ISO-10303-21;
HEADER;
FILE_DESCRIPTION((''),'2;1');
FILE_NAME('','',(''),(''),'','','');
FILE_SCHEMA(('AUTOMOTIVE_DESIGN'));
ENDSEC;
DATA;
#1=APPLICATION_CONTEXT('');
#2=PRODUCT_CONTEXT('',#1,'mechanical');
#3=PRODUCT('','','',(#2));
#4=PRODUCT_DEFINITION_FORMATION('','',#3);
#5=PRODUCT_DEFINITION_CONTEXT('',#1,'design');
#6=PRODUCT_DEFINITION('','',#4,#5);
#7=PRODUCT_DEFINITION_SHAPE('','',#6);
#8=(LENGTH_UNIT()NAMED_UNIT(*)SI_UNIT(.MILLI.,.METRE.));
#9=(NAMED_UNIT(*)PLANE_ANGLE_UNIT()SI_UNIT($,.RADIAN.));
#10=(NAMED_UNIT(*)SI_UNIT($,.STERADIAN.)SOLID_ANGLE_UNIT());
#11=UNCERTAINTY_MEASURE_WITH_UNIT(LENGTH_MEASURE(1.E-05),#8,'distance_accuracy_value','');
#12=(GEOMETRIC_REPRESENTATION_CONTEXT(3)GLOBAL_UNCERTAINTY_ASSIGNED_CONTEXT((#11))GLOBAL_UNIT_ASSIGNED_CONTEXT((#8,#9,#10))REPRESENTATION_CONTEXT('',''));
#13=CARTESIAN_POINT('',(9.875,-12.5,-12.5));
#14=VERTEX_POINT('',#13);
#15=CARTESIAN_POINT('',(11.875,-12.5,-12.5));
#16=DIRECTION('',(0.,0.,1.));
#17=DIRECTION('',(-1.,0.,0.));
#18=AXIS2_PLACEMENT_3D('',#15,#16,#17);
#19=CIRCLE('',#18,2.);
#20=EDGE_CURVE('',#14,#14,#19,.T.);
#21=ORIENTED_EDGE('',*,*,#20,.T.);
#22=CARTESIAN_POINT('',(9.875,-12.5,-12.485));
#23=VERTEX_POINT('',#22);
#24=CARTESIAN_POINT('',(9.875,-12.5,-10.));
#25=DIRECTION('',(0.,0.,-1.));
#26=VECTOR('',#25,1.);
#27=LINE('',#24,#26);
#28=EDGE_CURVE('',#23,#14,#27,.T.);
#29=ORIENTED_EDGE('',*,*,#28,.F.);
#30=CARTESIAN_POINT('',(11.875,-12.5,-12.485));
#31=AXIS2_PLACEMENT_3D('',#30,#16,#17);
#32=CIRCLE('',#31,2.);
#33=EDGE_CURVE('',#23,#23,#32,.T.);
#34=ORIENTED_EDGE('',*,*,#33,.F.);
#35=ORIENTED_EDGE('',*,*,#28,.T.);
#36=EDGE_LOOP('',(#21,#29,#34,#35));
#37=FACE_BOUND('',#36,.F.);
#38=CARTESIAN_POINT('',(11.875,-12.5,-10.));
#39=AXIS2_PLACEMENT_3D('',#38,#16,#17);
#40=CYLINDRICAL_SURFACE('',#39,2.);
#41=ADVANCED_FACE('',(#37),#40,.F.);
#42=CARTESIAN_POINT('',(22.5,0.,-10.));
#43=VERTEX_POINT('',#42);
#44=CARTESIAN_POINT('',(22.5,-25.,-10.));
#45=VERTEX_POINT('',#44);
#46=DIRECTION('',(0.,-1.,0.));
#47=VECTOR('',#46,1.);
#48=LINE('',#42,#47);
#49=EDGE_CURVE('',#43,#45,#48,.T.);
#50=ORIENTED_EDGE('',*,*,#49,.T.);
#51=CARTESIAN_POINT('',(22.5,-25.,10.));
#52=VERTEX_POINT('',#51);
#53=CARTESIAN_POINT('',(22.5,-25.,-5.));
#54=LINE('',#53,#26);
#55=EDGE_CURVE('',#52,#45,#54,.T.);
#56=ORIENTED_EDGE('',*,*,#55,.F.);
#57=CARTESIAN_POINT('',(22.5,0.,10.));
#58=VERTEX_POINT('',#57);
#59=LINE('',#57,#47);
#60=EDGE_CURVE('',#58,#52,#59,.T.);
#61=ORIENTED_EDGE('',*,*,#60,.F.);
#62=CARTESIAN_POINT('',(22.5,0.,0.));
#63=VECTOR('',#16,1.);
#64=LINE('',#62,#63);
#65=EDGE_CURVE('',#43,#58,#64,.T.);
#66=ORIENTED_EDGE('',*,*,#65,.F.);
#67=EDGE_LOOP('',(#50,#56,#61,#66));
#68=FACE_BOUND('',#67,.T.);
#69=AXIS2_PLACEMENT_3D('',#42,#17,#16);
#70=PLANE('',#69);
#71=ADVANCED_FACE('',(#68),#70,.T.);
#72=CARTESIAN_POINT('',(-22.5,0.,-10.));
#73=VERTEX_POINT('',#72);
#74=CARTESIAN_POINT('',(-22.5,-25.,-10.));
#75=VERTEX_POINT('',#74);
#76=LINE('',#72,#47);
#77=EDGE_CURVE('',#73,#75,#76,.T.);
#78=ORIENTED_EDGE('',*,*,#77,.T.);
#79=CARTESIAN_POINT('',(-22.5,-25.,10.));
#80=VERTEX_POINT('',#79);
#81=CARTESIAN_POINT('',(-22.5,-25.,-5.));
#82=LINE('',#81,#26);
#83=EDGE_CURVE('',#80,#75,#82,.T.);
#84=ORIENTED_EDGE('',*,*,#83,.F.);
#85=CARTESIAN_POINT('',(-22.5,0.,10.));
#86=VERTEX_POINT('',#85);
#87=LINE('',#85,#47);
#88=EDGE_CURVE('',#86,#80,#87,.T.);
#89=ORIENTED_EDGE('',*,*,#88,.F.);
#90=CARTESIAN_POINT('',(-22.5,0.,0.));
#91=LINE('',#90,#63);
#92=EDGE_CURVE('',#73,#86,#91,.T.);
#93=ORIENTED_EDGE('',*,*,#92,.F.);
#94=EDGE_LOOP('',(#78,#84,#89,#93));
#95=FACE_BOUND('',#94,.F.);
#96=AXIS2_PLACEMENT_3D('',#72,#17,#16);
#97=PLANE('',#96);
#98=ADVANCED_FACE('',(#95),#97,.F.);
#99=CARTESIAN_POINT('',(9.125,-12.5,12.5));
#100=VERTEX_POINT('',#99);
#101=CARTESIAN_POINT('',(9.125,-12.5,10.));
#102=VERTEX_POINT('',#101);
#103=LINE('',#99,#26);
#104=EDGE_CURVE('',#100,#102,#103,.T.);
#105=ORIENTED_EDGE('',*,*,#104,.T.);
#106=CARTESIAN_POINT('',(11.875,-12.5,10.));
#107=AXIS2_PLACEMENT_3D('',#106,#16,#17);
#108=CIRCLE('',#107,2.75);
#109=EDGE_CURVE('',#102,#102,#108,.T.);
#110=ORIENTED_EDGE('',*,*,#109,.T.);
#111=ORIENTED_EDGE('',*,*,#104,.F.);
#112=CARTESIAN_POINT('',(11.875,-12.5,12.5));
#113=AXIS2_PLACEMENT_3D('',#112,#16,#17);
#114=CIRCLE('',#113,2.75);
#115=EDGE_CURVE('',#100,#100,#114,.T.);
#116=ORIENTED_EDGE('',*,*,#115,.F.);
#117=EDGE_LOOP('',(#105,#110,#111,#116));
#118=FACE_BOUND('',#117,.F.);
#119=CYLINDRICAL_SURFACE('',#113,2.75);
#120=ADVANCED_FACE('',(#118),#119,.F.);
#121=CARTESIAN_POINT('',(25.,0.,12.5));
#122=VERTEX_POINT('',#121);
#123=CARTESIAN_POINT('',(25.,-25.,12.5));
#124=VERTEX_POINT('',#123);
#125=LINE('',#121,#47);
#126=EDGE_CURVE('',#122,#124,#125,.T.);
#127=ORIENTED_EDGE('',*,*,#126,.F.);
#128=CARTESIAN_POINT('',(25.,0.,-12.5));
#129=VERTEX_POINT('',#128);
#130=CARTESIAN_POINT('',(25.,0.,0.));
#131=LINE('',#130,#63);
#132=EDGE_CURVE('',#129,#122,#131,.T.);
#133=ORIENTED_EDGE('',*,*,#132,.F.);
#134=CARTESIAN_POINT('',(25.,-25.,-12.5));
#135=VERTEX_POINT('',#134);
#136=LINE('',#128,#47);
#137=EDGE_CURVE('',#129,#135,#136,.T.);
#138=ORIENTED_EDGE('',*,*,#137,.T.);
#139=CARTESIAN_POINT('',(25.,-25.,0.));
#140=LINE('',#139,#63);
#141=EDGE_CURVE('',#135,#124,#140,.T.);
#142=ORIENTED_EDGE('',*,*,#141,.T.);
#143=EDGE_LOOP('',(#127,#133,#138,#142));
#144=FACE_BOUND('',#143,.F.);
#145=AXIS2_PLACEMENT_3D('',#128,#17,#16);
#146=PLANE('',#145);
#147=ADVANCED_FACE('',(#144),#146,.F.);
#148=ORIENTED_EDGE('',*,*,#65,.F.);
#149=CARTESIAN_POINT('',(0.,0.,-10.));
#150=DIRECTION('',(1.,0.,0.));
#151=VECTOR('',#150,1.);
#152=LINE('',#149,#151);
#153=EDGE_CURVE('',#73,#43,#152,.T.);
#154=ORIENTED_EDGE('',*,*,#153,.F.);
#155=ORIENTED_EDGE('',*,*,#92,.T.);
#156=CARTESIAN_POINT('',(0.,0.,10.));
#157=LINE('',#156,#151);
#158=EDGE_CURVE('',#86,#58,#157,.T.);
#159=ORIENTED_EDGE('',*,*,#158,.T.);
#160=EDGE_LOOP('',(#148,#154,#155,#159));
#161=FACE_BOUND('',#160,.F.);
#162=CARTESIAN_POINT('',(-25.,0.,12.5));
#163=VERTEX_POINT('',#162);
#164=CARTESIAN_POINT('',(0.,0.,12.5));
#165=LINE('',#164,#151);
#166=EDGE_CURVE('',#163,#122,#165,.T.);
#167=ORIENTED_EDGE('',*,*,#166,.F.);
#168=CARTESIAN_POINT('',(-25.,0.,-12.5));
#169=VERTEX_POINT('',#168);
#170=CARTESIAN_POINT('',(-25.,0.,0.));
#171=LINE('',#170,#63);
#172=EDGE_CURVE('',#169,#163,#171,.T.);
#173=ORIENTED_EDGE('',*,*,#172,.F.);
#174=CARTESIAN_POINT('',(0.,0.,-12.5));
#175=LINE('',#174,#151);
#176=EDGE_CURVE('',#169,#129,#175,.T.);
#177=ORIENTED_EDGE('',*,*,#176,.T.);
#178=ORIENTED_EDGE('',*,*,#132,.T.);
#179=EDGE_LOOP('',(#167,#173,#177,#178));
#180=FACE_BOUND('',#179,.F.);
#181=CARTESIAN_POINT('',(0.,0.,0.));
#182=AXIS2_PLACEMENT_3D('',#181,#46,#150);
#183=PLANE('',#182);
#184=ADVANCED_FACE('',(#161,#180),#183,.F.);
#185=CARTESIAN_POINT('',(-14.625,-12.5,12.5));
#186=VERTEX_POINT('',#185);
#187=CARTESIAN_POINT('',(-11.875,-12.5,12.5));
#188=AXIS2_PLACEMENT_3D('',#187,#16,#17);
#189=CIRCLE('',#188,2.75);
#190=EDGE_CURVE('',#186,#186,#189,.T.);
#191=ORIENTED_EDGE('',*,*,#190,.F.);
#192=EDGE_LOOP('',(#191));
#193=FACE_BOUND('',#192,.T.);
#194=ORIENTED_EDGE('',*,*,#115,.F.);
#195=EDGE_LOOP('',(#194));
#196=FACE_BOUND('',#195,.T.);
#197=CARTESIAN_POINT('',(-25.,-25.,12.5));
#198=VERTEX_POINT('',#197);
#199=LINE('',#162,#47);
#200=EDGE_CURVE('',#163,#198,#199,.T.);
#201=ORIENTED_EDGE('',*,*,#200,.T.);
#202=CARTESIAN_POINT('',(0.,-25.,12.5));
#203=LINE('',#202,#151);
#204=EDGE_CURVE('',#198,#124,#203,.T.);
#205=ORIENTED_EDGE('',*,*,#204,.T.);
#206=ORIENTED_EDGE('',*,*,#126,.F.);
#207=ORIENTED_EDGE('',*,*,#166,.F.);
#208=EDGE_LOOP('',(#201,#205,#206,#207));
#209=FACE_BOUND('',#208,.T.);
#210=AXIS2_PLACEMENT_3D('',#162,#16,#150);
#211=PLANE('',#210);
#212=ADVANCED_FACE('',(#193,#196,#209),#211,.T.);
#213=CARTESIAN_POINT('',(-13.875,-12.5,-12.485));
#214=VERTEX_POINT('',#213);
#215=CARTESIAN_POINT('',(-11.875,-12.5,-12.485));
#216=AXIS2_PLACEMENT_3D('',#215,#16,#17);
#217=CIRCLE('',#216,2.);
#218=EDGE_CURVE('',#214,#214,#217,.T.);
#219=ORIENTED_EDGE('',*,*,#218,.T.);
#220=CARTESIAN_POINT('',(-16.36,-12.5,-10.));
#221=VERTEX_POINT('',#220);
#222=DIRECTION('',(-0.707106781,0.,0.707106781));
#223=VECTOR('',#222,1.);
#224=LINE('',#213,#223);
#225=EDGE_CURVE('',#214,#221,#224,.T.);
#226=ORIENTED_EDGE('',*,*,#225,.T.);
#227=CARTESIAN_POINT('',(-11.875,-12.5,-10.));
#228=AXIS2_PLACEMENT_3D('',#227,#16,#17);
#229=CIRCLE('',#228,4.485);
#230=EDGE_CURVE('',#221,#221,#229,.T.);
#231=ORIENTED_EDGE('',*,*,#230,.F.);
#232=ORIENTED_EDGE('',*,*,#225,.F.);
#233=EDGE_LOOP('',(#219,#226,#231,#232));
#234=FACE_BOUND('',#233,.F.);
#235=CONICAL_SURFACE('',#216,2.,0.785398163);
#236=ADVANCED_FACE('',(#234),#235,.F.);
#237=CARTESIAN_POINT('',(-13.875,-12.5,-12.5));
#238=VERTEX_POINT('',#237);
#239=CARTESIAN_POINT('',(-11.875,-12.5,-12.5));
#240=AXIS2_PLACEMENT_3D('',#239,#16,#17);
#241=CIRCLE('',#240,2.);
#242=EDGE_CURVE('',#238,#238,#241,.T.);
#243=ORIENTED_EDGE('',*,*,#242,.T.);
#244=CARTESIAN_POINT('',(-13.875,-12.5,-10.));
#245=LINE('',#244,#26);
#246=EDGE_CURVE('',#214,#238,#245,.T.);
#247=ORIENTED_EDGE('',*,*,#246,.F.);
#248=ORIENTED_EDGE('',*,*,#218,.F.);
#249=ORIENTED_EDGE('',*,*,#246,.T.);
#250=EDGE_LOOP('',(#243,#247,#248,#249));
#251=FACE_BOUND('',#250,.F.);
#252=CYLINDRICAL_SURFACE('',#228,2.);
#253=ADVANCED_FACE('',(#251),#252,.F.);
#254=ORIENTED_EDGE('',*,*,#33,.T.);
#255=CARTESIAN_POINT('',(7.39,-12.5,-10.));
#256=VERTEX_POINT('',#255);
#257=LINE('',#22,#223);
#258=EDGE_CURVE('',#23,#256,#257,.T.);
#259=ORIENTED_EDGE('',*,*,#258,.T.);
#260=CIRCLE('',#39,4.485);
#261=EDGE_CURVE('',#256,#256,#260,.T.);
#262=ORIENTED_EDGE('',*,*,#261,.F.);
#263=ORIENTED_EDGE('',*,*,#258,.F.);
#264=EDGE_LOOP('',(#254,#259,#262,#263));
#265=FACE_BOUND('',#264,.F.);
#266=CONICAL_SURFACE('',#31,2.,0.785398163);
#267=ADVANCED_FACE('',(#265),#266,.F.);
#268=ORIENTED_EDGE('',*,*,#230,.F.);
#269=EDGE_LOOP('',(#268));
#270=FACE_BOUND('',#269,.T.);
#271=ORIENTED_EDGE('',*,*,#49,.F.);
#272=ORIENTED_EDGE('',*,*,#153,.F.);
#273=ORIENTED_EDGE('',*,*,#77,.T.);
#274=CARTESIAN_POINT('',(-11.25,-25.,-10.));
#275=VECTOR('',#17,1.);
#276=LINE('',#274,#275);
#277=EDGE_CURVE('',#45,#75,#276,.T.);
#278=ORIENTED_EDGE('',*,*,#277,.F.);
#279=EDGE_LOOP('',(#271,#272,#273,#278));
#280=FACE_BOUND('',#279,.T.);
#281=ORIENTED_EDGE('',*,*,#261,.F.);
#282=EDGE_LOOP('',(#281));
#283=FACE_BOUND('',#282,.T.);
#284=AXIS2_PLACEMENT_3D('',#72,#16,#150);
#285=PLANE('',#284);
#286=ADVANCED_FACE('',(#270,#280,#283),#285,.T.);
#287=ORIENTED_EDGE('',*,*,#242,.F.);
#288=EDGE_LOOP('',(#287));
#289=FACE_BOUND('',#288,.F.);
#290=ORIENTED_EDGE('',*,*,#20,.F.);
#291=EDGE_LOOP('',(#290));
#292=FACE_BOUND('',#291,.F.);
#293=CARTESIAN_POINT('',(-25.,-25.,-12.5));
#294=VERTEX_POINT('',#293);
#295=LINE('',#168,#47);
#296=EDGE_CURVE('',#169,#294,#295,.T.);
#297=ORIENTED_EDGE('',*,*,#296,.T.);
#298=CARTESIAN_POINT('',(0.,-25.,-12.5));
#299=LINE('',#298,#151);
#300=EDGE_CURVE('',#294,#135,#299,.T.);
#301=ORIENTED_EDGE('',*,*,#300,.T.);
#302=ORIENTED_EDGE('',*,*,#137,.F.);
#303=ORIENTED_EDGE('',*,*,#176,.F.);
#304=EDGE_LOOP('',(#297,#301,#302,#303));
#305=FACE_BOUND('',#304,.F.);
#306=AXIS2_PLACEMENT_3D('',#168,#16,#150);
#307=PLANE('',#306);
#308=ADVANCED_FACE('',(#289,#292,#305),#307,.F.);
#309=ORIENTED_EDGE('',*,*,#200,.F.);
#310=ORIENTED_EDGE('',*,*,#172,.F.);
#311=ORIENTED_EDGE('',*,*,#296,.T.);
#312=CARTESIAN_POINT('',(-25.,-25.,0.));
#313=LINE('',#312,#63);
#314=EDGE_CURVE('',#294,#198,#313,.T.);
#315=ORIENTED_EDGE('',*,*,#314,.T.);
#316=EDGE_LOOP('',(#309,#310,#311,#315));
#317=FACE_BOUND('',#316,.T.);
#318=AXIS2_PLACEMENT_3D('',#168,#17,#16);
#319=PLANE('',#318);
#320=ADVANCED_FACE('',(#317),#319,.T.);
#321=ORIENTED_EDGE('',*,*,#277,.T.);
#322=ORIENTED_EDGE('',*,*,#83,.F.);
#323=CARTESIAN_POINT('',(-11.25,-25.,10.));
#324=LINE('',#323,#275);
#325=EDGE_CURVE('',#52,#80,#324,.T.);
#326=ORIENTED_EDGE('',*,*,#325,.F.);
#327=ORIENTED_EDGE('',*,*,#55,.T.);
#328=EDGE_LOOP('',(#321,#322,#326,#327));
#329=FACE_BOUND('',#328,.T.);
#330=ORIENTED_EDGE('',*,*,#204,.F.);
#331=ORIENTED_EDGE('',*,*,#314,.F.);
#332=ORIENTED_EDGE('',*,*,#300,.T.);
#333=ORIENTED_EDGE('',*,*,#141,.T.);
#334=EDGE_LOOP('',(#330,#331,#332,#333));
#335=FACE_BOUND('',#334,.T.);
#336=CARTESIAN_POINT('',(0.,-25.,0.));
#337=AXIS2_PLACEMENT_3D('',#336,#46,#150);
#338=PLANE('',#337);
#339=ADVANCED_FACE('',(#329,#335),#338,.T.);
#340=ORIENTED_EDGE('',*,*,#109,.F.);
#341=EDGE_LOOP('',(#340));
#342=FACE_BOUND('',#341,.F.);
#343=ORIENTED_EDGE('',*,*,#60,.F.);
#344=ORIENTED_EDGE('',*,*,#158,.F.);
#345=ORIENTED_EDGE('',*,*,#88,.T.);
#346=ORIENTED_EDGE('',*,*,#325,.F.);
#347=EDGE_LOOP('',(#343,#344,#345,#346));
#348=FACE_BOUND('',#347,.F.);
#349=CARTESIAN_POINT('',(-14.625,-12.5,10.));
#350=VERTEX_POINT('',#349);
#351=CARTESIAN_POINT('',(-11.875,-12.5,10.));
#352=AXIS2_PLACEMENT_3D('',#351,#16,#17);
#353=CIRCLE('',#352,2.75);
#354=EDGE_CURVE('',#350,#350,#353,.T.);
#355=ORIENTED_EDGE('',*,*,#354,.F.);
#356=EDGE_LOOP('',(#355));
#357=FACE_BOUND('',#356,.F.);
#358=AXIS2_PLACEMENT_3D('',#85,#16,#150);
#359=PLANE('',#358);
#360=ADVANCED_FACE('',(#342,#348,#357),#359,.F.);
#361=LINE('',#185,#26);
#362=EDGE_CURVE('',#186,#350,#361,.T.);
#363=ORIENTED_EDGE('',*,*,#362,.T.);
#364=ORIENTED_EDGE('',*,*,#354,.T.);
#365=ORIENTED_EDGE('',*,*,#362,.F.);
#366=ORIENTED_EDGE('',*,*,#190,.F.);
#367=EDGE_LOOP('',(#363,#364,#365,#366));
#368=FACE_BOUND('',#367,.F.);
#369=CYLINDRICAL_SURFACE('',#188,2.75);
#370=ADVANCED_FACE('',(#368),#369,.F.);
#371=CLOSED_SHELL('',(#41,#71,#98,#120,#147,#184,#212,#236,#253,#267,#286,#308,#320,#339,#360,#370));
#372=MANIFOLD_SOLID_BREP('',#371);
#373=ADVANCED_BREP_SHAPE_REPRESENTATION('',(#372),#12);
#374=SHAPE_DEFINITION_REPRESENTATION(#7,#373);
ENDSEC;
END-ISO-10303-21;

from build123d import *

# Parameters (mm, degrees)
SKETCH_W          = 50
SKETCH_H          = 25
PAD_DEPTH         = 25
SKETCH001_W       = 45
SKETCH001_H       = 20
POCKET_DEPTH      = 0.001
POCKET_DEPTH_BACK = 25.001
SKETCH002_R       = 2.75
POCKET001_DEPTH   = 3.5
SKETCH003_R       = 2
POCKET002_DEPTH   = 2.5
CHAMFER_SIZE      = 2.485


with BuildPart() as part:
    # Sketch → Pad (new body)
    with BuildSketch(Plane.XZ):
        Rectangle(SKETCH_W, SKETCH_H)
    extrude(amount=PAD_DEPTH)

    # Sketch001 → Pocket (cut, two sides)
    with BuildSketch(Plane.XZ) as pocket_sk:
        Rectangle(SKETCH001_W, SKETCH001_H)
    extrude(amount=-POCKET_DEPTH, mode=Mode.SUBTRACT)
    extrude(pocket_sk.sketch, amount=POCKET_DEPTH_BACK, mode=Mode.SUBTRACT)

    # Sketch002 (on DatumPlane) → Pocket001 (cut)
    with BuildSketch(Plane(origin=(0, 0, 12.5), x_dir=(-1, 0, 0), z_dir=(0, 0, 1))):
        with Locations((-11.875, 12.5)):
            Circle(SKETCH002_R)
        with Locations((11.875, 12.5)):
            Circle(SKETCH002_R)
    extrude(amount=-POCKET001_DEPTH, mode=Mode.SUBTRACT)

    # Sketch003 (on DatumPlane) → Pocket002 (cut)
    with BuildSketch(Plane(origin=(0, 0, -10), x_dir=(-1, 0, 0), z_dir=(0, 0, 1))):
        with Locations((-11.875, 12.5)):
            Circle(SKETCH003_R)
        with Locations((11.875, 12.5)):
            Circle(SKETCH003_R)
    extrude(amount=-POCKET002_DEPTH, mode=Mode.SUBTRACT)

    # Chamfer
    chamfer_edges = [part.edges().sort_by_distance(p)[0] for p in [
        (-9.875, -12.5, -10),
        (13.875, -12.5, -10),
    ]]
    chamfer(chamfer_edges, length=CHAMFER_SIZE)


solid = part.part
